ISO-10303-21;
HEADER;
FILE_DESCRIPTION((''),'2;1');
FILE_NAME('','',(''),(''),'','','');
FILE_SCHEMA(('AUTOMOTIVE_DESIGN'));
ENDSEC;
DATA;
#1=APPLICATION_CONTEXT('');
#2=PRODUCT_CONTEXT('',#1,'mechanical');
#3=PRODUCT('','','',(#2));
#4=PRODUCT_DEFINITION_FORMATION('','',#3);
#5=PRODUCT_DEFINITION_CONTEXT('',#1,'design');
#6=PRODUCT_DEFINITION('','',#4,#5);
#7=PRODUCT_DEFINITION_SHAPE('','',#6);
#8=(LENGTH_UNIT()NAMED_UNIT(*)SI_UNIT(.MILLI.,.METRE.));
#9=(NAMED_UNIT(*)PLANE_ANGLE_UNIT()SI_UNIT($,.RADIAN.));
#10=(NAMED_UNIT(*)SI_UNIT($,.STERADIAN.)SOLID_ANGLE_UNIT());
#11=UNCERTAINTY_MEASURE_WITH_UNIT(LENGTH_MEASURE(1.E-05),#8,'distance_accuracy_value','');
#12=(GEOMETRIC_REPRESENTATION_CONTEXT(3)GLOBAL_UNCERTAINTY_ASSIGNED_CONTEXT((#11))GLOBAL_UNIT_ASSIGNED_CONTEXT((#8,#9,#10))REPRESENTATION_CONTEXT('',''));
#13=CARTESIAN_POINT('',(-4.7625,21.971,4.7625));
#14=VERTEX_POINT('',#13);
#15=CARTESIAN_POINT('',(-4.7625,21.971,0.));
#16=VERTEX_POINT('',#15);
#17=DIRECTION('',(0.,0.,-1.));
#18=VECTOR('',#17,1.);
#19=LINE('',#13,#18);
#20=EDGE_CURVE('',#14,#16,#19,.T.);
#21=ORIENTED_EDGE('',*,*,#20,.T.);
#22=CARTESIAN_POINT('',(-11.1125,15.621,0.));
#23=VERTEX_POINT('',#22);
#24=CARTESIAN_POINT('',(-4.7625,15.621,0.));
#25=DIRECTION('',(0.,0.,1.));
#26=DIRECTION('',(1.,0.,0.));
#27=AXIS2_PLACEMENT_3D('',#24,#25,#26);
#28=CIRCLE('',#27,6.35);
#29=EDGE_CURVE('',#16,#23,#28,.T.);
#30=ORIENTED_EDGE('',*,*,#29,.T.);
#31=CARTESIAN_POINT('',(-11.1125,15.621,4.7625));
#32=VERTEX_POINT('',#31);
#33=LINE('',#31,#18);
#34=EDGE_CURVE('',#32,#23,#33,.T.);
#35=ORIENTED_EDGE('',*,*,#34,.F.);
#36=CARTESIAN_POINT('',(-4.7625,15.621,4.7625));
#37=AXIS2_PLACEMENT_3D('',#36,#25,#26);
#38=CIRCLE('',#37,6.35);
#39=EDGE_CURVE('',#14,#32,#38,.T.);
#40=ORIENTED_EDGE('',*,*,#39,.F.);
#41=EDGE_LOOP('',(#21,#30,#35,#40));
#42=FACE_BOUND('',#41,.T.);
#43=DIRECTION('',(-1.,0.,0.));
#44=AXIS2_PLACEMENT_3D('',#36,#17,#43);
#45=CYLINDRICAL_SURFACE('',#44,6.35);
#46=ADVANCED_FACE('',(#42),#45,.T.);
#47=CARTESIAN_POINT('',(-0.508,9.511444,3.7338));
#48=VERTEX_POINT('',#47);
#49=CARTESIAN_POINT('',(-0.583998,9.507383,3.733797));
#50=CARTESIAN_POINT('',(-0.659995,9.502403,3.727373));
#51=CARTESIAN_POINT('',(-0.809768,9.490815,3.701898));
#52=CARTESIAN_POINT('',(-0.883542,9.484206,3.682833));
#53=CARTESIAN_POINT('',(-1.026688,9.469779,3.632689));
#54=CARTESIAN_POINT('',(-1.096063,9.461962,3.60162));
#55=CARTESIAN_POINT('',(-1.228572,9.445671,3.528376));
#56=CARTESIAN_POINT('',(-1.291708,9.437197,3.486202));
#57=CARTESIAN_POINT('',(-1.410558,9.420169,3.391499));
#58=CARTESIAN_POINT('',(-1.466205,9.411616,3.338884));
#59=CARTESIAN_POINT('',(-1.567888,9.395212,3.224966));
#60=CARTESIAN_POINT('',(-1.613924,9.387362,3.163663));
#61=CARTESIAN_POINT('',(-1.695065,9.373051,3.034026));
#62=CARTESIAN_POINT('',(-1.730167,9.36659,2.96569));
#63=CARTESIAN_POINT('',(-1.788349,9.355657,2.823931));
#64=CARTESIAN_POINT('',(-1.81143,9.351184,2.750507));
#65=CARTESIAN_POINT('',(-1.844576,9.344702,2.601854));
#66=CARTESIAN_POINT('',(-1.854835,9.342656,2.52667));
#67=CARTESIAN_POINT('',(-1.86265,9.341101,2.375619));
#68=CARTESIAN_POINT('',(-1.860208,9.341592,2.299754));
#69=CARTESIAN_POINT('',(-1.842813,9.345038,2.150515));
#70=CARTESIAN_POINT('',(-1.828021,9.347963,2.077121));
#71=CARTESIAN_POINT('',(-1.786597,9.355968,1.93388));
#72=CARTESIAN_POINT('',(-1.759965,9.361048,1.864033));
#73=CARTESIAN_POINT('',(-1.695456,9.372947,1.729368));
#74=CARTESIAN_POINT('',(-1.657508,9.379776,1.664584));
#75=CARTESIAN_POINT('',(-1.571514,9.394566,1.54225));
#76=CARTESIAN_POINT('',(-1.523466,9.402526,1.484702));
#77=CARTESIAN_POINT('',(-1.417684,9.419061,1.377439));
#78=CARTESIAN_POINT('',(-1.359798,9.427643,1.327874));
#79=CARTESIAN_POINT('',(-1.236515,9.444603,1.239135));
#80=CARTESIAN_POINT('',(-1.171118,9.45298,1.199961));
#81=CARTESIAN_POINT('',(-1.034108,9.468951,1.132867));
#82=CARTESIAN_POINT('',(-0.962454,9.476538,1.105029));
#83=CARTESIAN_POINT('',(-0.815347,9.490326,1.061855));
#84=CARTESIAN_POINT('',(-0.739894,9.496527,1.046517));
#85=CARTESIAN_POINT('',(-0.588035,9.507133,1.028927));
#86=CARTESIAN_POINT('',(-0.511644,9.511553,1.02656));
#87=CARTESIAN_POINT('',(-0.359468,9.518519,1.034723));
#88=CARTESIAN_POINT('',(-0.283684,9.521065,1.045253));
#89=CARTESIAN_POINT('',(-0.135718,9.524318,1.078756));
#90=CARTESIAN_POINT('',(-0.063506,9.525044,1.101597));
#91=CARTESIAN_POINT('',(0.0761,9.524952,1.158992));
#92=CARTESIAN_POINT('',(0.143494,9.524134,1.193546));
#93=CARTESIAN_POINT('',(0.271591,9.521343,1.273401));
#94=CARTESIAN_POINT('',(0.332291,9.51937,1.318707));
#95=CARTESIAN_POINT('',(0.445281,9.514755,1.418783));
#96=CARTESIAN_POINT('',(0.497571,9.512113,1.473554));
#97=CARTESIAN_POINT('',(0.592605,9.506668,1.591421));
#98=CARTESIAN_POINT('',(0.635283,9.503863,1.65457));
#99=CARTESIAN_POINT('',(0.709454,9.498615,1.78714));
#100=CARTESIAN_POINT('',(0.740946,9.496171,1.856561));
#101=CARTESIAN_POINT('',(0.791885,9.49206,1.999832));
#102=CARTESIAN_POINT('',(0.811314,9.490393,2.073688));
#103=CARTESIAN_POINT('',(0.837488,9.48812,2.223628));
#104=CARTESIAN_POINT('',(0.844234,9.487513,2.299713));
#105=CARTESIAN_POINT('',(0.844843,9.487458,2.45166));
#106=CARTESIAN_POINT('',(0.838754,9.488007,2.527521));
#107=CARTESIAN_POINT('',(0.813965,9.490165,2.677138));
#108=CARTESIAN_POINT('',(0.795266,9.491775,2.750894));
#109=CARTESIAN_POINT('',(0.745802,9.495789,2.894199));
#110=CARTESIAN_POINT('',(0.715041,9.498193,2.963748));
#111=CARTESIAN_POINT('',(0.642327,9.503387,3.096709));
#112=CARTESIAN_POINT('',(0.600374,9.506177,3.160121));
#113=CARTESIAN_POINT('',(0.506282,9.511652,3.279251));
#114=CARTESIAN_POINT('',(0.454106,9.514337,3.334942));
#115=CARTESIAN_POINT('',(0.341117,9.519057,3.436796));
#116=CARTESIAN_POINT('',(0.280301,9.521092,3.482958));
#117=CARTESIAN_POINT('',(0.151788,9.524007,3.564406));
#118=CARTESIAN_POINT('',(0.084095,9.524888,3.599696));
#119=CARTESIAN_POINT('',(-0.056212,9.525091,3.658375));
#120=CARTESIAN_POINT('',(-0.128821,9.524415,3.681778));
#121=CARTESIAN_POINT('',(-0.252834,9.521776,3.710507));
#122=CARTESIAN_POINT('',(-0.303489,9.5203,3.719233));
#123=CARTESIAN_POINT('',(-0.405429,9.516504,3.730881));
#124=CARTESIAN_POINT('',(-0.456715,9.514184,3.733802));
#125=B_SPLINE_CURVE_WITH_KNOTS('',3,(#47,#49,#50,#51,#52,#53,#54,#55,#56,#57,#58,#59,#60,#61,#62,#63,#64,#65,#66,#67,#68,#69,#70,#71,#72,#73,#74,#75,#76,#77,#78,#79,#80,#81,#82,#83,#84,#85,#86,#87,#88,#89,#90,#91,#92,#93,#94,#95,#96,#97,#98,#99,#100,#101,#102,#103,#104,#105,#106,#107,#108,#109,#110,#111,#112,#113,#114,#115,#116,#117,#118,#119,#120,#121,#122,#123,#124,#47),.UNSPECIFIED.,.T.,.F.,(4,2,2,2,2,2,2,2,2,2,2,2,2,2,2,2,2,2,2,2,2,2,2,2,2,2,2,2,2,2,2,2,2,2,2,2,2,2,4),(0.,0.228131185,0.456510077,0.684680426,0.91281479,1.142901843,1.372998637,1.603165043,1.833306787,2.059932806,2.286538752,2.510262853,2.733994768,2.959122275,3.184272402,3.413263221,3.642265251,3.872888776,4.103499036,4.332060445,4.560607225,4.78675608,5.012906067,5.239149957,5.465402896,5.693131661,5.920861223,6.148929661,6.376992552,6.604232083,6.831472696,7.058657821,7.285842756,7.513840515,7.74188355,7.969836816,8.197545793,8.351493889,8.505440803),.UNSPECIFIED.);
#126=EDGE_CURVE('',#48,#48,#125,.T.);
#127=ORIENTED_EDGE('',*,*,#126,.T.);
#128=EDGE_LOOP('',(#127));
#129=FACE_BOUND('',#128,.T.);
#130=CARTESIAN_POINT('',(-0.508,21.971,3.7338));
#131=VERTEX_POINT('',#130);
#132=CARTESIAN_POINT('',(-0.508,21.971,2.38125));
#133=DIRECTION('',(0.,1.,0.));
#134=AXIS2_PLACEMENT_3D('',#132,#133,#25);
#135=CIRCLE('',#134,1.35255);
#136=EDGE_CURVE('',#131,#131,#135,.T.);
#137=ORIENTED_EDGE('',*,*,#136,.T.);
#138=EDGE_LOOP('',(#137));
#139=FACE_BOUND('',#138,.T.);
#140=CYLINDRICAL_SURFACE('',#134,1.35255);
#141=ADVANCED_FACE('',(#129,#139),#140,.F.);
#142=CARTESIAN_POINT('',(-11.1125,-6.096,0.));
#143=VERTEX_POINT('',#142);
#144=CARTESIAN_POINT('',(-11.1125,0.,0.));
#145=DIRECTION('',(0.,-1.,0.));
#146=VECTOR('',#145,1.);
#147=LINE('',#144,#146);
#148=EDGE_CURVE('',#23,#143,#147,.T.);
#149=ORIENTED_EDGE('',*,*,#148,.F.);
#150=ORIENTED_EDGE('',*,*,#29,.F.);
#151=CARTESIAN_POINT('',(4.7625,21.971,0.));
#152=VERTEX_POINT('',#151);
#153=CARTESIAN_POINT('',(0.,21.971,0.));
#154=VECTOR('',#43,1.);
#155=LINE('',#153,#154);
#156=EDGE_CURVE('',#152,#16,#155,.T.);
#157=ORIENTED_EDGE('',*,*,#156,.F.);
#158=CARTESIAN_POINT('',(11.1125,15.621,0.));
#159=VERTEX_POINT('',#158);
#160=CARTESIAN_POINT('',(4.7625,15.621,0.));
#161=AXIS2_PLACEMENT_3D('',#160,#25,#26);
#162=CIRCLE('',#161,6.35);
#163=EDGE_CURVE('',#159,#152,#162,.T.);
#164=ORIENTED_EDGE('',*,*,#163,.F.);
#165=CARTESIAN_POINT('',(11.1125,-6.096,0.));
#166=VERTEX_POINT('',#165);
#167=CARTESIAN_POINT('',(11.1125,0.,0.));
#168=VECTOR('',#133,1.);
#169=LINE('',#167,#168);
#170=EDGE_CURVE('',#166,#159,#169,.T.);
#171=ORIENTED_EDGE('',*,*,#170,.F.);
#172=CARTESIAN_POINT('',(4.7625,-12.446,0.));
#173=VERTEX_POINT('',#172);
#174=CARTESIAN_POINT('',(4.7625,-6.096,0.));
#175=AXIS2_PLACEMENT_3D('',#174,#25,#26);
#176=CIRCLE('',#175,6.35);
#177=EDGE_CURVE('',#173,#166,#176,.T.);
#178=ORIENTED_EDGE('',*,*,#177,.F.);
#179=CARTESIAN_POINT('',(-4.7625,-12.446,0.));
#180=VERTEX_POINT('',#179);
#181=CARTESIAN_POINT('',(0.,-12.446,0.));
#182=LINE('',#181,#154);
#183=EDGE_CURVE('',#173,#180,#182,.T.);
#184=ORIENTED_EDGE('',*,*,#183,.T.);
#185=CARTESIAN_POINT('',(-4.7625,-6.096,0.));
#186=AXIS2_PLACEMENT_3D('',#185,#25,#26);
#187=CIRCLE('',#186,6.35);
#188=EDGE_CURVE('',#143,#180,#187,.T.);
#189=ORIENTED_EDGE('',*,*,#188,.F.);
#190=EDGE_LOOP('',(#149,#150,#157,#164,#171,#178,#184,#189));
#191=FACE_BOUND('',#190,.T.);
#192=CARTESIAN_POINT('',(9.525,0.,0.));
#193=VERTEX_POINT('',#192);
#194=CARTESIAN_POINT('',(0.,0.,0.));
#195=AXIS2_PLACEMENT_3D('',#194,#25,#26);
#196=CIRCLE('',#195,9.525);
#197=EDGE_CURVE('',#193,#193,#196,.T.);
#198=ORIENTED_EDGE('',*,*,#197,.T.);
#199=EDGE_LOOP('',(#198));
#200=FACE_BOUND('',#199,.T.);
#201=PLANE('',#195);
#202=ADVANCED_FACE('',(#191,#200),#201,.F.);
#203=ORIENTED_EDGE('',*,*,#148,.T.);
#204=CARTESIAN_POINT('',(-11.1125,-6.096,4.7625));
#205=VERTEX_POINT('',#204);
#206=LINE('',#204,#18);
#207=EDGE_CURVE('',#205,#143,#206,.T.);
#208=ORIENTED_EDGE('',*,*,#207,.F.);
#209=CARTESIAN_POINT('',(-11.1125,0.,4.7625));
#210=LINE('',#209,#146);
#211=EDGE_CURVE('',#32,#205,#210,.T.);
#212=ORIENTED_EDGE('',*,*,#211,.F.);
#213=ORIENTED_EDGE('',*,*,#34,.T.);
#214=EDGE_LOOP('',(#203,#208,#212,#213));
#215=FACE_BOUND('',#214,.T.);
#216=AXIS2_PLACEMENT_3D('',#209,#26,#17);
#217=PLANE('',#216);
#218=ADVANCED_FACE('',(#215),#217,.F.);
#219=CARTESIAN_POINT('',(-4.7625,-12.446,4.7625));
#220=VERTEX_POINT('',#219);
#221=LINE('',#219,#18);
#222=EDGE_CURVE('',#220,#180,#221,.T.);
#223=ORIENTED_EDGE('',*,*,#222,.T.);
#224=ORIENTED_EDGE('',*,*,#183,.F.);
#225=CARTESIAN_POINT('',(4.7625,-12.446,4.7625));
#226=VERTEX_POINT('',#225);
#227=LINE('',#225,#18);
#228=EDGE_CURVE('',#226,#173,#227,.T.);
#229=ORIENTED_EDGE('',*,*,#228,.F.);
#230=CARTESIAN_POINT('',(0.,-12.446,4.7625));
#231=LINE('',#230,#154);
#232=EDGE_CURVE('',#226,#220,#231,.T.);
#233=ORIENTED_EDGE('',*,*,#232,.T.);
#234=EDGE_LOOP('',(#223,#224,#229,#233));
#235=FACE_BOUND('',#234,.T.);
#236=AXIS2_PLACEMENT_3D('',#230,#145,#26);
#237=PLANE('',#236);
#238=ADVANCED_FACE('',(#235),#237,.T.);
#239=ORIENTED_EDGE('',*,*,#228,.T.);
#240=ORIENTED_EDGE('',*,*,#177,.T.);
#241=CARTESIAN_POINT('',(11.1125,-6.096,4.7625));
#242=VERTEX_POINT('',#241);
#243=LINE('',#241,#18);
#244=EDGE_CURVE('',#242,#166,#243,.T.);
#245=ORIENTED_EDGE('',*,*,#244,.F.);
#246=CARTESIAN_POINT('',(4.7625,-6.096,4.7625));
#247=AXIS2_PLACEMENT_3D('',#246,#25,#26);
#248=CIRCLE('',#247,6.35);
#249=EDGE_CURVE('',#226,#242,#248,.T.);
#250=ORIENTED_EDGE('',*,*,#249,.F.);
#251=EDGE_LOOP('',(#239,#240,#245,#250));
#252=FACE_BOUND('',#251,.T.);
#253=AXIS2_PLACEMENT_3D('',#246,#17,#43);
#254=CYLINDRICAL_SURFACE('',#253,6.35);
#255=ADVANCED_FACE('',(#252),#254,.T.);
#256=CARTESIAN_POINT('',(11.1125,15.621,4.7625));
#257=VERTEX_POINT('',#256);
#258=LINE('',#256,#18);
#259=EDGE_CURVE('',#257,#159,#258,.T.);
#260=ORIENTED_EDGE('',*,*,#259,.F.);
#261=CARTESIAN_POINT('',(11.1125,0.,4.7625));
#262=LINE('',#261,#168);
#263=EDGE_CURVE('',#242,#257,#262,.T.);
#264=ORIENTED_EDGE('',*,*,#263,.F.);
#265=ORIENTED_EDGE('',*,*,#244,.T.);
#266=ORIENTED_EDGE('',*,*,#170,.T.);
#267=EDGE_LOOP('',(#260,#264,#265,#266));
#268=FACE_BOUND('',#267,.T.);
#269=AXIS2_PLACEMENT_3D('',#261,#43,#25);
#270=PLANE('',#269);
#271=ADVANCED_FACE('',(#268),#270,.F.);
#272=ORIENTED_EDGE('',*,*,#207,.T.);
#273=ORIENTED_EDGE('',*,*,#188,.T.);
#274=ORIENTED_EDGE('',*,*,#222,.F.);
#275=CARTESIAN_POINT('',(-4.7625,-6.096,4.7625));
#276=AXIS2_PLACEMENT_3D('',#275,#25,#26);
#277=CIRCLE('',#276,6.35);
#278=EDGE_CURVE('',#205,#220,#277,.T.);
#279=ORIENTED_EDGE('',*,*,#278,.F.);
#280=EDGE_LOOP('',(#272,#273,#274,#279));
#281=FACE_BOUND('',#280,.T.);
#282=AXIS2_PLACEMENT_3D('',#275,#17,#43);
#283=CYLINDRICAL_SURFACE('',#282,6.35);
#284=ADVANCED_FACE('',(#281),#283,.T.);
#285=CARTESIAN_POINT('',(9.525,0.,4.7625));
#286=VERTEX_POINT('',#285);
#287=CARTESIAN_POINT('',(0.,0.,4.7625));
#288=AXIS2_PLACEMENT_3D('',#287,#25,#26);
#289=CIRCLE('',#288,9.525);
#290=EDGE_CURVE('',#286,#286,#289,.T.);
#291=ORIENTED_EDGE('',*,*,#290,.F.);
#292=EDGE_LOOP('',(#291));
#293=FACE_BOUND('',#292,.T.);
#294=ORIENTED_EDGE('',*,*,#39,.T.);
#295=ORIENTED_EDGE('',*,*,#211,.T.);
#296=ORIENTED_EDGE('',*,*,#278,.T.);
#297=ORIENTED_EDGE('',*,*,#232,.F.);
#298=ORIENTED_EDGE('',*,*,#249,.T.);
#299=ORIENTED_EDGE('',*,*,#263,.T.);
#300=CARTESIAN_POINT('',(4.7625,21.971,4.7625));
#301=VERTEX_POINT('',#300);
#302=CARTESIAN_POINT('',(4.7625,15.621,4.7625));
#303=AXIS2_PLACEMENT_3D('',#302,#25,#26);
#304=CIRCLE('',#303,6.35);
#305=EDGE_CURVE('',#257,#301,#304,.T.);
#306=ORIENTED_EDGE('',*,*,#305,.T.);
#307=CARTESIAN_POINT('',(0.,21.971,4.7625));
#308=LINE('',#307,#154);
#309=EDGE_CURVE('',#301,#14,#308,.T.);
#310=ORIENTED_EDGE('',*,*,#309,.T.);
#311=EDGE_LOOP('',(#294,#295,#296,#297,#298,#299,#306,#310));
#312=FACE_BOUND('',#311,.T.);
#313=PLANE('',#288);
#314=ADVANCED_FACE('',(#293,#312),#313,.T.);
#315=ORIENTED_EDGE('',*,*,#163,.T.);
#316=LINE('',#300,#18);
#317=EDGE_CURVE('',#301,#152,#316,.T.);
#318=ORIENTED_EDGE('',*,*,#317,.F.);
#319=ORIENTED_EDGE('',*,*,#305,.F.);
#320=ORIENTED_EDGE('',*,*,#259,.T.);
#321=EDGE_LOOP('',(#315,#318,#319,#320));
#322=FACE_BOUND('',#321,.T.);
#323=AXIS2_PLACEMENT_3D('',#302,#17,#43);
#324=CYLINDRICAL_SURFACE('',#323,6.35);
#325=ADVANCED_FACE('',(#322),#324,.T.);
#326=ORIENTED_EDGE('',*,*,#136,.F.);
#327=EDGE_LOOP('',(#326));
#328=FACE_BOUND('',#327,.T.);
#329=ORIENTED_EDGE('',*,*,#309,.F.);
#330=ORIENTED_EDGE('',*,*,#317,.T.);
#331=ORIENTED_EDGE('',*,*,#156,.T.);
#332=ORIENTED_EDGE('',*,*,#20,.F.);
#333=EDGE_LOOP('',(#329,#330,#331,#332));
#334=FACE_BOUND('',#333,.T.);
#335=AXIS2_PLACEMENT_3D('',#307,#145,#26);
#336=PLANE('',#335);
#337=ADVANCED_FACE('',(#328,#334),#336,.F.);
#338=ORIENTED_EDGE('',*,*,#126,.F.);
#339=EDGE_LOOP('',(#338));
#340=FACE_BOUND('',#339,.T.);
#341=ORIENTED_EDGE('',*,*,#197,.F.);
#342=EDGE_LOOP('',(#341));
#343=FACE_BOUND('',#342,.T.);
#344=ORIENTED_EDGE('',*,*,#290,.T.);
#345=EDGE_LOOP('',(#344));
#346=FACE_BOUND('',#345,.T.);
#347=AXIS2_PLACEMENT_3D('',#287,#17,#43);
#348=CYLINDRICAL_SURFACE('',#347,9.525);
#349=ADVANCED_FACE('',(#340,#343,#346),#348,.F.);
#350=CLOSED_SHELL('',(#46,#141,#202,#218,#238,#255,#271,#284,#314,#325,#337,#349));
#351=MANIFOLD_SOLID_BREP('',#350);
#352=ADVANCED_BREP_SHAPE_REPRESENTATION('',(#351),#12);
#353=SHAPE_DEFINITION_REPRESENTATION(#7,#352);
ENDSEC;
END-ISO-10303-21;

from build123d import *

# Parameters (mm, degrees)
SKETCH1_R                     = 9.525
BOSS_EXTRUDE2_DEPTH           = 4.7625
TAP_DRILL_FOR_6_32_TAP1_D     = 2.7051
TAP_DRILL_FOR_6_32_TAP1_DEPTH = 19.05
TAP_DRILL_FOR_6_32_TAP1_TIP   = 0.81269403


with BuildPart() as part:
    # Sketch1 → Boss-Extrude2 (new body)
    # profile 1 of 2: a face of its own
    with BuildSketch(Plane.XY):
        with BuildLine():
            Line((4.7625, 21.971), (-4.7625, 21.971))
            ThreePointArc((-4.7625, 21.971), (-9.252628061, 20.111128061), (-11.1125, 15.621))
            Line((-11.1125, 15.621), (-11.1125, 12.446))
            Line((-11.1125, 12.446), (11.1125, 12.446))
            Line((11.1125, 12.446), (11.1125, 15.621))
            ThreePointArc((11.1125, 15.621), (9.252628061, 20.111128061), (4.7625, 21.971))
        make_face()
    # profile 2 of 2: a face of its own
    with BuildSketch(Plane.XY):
        with BuildLine():
            Line((4.7625, -12.446), (-4.7625, -12.446))
            ThreePointArc((-4.7625, -12.446), (-9.252628061, -10.586128061), (-11.1125, -6.096))
            Line((-11.1125, -6.096), (-11.1125, 12.446))
            Line((-11.1125, 12.446), (11.1125, 12.446))
            Line((11.1125, 12.446), (11.1125, -6.096))
            ThreePointArc((11.1125, -6.096), (9.252628061, -10.586128061), (4.7625, -12.446))
        make_face()
        with Locations(Location((0, 0, 0), (0, 0, 180))):
            Circle(SKETCH1_R, mode=Mode.SUBTRACT)
    extrude(amount=BOSS_EXTRUDE2_DEPTH)

    # Tap Drill for #6-32 Tap1
    with Locations(Plane(origin=(0, 21.971, 0), x_dir=(1, 0, 0), z_dir=(0, 1, 0))):
        with Locations((-0.508, -2.38125)):
            Hole(TAP_DRILL_FOR_6_32_TAP1_D / 2, depth=TAP_DRILL_FOR_6_32_TAP1_DEPTH)
            with Locations((0, 0, -(TAP_DRILL_FOR_6_32_TAP1_DEPTH + TAP_DRILL_FOR_6_32_TAP1_TIP / 2))):  # 118° drill point
                Cone(0, TAP_DRILL_FOR_6_32_TAP1_D / 2, TAP_DRILL_FOR_6_32_TAP1_TIP, mode=Mode.SUBTRACT)


solid = part.part
